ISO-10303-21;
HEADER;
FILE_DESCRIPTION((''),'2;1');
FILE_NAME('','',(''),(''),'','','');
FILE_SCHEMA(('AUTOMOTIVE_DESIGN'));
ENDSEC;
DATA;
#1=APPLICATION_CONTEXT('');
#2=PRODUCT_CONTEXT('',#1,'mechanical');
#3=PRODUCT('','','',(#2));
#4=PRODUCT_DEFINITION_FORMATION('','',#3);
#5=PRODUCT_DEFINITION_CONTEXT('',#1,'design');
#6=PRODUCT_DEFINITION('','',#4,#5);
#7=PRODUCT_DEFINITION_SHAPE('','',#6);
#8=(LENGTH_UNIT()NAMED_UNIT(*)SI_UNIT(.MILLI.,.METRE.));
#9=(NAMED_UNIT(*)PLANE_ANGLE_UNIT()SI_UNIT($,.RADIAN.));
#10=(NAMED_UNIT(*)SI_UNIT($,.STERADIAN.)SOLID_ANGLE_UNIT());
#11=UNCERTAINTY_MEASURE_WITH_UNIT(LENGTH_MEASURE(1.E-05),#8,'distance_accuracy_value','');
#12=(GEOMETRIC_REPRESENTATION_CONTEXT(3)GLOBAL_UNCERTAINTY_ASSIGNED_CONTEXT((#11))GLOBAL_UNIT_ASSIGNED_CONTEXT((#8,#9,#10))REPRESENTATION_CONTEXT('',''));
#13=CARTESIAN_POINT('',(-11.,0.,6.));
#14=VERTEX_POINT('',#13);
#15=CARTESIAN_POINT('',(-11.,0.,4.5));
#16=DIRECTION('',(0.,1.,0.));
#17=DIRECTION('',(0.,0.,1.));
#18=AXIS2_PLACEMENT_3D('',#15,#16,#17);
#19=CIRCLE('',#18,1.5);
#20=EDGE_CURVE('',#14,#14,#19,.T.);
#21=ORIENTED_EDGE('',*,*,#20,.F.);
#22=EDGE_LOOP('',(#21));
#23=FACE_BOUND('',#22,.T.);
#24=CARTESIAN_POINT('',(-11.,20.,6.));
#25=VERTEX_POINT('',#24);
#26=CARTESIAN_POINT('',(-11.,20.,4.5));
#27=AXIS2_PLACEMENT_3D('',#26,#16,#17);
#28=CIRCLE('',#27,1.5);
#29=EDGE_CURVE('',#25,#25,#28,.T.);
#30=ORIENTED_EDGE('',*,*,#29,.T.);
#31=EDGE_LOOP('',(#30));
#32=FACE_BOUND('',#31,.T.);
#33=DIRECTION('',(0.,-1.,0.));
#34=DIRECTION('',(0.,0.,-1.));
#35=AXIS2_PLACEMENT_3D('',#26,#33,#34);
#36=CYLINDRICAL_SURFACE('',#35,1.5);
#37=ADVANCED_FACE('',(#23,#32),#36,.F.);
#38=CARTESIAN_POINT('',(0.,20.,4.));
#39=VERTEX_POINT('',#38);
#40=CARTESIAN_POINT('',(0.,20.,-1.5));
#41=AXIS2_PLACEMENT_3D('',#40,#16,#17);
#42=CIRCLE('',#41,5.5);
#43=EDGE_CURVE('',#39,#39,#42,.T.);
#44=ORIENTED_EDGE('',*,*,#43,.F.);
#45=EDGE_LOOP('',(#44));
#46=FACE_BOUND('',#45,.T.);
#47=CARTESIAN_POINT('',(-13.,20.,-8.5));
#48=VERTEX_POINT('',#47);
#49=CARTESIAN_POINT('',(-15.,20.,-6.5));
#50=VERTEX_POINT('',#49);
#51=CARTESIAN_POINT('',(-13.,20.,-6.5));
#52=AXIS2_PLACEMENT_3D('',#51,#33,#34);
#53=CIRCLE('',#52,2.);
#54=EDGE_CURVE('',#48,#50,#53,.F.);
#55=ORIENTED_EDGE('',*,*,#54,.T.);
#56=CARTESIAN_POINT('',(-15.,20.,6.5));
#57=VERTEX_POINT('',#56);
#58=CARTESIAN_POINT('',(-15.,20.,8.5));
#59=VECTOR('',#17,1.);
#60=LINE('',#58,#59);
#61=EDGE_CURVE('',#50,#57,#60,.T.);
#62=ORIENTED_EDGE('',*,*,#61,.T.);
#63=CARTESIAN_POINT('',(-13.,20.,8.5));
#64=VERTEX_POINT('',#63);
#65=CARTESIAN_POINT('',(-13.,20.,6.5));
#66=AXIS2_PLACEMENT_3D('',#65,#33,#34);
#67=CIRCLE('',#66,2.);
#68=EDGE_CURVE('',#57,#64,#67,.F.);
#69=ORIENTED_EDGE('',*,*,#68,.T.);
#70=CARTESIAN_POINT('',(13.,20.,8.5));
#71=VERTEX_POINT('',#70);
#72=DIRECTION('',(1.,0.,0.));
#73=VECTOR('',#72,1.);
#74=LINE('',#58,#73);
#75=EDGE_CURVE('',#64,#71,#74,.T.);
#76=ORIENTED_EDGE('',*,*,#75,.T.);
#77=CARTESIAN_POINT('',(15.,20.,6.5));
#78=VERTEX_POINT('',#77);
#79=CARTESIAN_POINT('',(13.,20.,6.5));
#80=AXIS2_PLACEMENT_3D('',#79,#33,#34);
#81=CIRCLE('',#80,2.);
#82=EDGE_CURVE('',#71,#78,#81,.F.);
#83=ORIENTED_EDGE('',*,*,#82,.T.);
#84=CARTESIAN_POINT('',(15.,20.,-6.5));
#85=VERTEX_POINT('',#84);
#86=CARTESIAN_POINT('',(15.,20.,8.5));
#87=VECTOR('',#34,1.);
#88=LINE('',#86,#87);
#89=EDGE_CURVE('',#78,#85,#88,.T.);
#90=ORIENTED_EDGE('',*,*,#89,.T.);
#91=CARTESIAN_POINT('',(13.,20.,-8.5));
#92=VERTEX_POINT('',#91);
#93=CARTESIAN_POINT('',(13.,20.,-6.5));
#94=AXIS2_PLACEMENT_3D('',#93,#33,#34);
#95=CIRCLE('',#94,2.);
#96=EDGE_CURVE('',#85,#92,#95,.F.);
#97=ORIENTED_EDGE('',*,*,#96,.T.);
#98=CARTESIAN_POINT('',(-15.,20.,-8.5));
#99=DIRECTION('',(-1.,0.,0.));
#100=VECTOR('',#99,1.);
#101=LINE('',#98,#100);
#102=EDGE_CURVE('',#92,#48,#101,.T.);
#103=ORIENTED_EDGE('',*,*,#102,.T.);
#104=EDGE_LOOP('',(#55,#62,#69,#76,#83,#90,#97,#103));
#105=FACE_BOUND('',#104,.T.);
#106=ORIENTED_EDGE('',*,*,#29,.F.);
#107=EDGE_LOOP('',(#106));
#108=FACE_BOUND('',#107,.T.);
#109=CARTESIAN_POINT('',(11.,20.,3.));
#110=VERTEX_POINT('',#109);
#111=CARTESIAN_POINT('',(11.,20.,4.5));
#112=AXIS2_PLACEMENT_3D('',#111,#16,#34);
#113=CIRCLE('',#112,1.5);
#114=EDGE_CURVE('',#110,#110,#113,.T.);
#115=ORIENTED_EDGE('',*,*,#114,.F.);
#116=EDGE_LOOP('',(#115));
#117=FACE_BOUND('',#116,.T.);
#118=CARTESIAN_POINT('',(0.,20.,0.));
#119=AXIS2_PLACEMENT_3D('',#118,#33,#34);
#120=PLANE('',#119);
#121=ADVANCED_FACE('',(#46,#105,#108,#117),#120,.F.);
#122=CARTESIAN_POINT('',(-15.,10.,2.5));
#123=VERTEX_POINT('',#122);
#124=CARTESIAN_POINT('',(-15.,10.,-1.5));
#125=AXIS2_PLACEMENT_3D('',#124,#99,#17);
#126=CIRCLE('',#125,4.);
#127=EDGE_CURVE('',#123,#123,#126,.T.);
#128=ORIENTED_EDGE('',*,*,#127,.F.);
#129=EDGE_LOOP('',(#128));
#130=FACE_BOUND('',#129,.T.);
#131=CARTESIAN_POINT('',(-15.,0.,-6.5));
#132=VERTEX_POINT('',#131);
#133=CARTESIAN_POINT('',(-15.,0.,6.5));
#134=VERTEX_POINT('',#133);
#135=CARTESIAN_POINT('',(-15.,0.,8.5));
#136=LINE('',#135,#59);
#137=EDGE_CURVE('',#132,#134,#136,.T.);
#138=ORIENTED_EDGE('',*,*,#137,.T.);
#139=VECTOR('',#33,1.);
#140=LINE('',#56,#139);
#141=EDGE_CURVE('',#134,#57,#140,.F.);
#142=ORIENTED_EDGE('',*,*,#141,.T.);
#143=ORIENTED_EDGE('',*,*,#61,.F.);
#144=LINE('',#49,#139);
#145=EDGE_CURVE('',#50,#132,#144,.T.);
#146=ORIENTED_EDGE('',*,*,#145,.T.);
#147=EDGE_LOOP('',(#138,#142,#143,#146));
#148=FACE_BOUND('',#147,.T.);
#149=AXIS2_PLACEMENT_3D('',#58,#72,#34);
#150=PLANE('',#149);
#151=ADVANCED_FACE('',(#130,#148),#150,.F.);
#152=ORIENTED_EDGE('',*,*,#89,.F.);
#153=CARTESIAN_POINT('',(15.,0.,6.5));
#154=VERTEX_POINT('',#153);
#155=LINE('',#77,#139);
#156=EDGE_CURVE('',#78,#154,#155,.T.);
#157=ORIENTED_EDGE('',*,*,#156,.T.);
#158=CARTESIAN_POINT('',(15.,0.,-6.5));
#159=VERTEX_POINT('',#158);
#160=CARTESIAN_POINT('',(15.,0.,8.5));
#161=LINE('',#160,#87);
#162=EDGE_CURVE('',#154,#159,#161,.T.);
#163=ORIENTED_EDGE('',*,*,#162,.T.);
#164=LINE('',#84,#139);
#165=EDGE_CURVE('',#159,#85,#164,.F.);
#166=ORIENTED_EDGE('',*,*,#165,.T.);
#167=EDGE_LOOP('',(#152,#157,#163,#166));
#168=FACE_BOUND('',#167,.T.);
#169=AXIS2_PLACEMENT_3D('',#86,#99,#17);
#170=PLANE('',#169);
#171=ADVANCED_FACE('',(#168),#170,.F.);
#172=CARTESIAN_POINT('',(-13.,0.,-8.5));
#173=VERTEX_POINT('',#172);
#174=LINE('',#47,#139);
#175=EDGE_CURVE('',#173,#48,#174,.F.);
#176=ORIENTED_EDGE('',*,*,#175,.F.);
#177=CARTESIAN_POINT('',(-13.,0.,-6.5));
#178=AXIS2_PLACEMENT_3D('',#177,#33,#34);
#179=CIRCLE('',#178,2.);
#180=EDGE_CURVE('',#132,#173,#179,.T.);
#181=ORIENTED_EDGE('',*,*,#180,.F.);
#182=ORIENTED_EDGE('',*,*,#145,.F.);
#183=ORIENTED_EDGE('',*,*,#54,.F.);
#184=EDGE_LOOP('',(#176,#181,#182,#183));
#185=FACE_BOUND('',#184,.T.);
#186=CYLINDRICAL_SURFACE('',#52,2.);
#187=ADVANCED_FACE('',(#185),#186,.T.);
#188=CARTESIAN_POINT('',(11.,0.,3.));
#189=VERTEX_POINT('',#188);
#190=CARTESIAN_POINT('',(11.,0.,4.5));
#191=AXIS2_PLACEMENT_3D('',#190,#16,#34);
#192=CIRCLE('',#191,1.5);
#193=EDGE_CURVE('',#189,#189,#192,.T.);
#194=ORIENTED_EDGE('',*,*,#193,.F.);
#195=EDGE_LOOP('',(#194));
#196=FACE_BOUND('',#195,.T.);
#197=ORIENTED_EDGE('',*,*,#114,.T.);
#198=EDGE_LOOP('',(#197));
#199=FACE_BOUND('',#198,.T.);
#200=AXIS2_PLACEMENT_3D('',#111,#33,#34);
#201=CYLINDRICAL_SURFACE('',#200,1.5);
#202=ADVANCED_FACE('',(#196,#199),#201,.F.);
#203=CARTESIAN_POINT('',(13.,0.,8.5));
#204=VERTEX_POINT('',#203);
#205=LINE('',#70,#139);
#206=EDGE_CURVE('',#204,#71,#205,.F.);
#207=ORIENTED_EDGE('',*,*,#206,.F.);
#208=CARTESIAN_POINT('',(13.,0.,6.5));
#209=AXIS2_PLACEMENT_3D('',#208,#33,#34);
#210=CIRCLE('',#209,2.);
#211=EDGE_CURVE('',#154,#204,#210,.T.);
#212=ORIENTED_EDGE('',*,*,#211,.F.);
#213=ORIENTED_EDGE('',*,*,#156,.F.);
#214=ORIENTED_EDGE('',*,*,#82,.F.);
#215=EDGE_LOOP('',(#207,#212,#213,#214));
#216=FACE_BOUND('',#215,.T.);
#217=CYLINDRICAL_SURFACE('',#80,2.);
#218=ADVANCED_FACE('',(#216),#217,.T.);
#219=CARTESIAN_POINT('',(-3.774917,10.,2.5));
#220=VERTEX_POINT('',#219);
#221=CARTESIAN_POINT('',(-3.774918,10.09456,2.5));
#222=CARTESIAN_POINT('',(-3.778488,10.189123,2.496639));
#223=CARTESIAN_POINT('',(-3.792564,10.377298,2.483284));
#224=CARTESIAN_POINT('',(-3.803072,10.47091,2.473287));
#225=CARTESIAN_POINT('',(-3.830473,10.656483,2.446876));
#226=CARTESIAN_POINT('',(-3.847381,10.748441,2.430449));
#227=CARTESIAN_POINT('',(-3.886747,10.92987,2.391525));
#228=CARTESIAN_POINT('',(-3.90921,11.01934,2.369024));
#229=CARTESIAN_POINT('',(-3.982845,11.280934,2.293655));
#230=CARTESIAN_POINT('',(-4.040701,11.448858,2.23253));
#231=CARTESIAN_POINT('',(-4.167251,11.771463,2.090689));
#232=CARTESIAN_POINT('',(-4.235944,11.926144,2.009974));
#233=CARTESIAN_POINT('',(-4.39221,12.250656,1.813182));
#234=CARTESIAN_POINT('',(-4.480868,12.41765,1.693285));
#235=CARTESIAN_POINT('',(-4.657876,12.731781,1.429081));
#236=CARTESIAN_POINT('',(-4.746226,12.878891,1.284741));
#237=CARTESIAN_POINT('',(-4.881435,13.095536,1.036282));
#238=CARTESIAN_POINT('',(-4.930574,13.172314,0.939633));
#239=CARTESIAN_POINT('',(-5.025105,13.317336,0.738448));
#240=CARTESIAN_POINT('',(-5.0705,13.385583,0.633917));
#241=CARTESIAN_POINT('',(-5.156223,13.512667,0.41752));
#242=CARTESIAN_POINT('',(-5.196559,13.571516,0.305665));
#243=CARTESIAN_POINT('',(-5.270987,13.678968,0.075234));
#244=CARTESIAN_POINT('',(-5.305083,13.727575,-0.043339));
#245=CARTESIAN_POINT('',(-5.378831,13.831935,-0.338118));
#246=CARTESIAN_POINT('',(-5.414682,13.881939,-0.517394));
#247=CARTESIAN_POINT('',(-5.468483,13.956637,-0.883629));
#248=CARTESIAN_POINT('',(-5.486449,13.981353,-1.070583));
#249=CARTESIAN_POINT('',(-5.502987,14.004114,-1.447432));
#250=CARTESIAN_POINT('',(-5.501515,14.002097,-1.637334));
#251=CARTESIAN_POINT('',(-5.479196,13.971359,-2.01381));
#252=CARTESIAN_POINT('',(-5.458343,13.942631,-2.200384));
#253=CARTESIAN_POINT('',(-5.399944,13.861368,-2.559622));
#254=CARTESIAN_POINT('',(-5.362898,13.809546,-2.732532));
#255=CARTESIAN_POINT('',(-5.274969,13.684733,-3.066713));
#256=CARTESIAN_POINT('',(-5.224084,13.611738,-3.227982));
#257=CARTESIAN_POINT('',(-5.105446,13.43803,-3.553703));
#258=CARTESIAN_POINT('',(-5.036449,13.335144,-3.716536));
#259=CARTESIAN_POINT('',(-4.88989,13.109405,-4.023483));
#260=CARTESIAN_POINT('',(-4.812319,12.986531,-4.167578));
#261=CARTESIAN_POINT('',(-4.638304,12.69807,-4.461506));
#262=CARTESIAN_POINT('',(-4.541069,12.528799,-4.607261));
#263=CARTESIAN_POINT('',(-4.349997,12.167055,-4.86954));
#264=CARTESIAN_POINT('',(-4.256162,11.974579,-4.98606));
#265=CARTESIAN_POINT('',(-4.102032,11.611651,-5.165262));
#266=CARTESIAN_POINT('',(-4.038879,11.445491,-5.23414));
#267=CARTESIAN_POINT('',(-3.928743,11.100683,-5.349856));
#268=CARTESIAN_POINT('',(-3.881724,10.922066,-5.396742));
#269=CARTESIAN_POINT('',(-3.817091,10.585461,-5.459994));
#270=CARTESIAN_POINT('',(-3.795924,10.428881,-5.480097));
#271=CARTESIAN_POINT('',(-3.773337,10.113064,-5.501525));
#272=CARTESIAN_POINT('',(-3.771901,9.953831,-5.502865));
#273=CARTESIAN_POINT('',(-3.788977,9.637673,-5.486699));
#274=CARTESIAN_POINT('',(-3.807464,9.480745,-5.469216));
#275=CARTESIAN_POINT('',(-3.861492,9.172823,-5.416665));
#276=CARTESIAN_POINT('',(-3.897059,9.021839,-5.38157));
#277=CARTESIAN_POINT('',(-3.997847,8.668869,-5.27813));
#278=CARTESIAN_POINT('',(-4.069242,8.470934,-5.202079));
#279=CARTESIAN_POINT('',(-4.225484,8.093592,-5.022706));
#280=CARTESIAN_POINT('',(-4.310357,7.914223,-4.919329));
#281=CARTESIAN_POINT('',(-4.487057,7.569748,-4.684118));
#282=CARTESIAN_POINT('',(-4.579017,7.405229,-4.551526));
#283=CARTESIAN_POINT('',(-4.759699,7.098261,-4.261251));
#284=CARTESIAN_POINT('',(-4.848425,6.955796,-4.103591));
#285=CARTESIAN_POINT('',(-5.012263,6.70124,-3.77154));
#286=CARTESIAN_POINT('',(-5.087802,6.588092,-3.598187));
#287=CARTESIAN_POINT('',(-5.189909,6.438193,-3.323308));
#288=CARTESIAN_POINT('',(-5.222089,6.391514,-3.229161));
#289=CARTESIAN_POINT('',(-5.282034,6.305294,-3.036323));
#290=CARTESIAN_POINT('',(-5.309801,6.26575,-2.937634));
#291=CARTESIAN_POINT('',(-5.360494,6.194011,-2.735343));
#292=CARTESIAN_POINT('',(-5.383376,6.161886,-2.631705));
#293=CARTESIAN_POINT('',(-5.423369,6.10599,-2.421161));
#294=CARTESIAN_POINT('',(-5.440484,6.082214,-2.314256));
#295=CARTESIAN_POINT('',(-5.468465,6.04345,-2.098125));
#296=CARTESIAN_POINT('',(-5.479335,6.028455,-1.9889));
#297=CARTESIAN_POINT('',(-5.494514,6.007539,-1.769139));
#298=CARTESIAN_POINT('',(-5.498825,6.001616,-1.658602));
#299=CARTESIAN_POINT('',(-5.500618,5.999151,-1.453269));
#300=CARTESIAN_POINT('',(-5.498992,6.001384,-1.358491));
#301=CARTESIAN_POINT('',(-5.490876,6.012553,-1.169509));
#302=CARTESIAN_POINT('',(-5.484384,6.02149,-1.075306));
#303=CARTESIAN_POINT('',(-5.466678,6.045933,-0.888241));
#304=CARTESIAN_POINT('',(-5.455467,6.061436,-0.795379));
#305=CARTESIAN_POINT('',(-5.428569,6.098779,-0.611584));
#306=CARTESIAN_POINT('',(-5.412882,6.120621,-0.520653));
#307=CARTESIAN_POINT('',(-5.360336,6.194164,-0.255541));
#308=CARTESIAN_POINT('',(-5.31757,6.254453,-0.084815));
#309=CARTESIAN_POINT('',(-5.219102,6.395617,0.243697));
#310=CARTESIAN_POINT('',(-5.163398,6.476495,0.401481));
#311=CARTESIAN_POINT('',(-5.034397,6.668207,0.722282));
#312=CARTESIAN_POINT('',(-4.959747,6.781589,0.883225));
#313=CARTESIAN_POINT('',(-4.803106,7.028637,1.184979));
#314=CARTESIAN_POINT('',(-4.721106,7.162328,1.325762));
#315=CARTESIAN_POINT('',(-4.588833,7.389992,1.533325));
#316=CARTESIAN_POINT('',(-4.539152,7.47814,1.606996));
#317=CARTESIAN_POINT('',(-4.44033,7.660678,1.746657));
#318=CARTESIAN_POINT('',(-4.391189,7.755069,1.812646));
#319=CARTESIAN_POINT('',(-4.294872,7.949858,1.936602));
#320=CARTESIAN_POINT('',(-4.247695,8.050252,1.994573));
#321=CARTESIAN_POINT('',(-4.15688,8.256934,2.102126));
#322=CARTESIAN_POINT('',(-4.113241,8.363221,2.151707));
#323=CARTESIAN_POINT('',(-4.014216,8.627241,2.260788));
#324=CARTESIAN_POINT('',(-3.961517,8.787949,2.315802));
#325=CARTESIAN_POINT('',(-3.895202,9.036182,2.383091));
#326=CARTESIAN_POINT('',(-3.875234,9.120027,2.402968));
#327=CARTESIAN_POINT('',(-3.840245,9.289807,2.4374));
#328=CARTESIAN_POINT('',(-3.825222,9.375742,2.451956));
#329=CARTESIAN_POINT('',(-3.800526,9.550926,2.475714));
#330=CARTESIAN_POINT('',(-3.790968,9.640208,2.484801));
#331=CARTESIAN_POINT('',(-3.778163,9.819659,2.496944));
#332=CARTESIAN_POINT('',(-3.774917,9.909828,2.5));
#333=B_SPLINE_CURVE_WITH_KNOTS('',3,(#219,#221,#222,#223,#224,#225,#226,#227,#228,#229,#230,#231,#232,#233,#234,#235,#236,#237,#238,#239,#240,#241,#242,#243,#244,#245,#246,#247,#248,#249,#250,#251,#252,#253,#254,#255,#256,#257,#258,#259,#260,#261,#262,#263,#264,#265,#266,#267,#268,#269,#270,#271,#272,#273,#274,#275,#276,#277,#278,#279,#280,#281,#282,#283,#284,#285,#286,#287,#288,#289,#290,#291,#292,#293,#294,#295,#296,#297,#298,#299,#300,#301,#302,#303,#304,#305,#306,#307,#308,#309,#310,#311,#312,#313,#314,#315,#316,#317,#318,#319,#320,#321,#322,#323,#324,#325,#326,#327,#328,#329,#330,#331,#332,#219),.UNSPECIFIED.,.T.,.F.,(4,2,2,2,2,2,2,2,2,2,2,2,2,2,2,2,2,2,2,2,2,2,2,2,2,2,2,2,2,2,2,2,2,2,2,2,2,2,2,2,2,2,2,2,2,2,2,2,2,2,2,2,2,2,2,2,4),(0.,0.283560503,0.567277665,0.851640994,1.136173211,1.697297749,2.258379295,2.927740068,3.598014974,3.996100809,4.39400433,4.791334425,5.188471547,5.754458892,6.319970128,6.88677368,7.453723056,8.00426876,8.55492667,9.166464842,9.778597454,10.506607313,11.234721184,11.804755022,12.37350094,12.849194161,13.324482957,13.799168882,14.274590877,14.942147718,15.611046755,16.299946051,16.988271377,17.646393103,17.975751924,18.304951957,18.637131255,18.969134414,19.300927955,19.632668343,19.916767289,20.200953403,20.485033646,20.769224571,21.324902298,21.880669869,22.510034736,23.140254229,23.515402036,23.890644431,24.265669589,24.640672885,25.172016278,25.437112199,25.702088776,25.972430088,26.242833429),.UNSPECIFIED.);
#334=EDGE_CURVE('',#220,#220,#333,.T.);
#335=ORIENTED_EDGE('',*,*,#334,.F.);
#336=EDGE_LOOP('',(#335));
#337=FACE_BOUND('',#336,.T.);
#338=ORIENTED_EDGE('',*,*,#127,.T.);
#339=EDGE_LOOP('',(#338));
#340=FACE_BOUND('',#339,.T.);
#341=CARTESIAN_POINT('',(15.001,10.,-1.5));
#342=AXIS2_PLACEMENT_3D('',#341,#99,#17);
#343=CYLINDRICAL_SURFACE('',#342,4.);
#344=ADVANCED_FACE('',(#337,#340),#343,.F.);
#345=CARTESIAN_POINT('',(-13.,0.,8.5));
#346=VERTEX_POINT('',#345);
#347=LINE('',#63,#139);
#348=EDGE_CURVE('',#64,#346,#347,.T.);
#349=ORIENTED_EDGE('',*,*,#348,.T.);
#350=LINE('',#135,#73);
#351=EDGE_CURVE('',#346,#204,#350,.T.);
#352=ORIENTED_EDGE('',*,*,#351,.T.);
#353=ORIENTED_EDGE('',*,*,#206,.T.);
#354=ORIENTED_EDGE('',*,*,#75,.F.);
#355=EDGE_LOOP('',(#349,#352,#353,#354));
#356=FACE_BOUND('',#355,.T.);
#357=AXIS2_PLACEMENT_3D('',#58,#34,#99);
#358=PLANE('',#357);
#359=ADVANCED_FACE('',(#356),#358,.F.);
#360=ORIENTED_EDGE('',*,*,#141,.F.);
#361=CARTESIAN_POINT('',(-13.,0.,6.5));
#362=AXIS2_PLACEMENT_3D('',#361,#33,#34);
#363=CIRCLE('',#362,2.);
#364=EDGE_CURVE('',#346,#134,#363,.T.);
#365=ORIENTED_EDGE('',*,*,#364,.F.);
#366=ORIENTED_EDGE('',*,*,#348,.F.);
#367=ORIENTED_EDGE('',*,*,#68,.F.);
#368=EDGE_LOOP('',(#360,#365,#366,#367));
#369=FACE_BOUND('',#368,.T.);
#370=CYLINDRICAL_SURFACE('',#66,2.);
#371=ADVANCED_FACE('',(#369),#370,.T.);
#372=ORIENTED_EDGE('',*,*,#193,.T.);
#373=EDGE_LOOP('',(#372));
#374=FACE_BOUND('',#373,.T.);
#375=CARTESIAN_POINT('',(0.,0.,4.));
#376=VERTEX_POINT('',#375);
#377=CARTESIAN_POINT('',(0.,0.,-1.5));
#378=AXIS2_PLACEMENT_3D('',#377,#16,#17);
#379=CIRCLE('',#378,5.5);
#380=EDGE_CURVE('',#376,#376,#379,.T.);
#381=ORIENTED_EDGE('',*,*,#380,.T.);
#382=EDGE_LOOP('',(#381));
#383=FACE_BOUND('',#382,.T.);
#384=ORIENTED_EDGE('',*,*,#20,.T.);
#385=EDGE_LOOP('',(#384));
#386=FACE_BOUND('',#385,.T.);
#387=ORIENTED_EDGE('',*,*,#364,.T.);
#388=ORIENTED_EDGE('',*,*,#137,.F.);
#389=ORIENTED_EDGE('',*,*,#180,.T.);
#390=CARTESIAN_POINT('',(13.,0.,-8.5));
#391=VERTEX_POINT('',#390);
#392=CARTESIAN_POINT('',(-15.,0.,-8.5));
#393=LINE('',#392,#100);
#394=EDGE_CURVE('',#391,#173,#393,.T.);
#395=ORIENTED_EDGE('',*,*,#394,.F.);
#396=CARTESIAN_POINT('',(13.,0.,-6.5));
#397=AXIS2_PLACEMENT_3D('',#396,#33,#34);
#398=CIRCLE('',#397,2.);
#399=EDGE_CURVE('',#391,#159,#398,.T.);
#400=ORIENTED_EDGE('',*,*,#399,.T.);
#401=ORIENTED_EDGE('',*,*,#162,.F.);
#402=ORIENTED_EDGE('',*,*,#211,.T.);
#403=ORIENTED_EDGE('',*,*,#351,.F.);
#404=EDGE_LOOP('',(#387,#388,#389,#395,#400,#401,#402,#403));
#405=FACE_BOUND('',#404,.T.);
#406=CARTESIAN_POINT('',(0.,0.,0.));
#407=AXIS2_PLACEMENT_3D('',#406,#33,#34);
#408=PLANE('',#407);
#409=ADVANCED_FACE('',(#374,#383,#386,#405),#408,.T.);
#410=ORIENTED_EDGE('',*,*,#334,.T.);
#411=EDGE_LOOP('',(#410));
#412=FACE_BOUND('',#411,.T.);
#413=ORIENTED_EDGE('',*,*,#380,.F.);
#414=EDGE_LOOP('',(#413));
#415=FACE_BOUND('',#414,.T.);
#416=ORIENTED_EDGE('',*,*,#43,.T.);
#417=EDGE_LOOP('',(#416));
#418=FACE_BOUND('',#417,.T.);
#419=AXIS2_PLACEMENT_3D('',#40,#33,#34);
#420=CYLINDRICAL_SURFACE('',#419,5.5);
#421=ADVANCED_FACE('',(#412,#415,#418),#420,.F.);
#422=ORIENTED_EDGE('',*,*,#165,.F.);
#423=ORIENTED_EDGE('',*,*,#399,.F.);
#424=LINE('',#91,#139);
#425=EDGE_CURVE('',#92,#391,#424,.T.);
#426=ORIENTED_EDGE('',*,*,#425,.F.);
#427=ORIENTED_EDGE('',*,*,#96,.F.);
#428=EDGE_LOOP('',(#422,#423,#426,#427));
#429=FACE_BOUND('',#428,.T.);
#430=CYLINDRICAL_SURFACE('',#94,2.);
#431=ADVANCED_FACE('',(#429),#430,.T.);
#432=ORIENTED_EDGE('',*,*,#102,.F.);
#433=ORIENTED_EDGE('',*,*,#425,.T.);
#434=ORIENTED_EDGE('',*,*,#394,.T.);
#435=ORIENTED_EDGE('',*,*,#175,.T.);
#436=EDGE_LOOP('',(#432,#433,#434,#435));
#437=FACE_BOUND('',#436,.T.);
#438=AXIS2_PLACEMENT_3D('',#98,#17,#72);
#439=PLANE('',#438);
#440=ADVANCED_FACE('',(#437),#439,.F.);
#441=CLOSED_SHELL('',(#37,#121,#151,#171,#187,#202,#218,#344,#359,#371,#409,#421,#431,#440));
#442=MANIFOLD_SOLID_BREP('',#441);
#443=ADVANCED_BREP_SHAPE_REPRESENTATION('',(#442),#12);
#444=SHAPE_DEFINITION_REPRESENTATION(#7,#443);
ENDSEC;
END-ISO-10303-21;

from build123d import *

# Parameters (mm, degrees)
SKETCH_1_W               = 30
SKETCH_1_H               = 17
SKETCH_1_R               = 1.5
SKETCH_1_R_2             = 5.5
EXTRUDE_1_DEPTH          = 20
CUT_EXTRUDE_1_REACH      = 39.044
CUT_EXTRUDE_1_END_RADIUS = 5.5
SKETCH_2_R               = 4
FILLET_1_R               = 2


with BuildPart() as part:
    # 草图1 → 凸台-拉伸1 (new body)
    with BuildSketch(Plane(origin=(0, 0, 0), x_dir=(1, 0, 0), z_dir=(0, 1, 0))):
        Rectangle(SKETCH_1_W, SKETCH_1_H)
        with Locations(Location((-11, -4.5, 0), (0, 0, 270))):
            Circle(SKETCH_1_R, mode=Mode.SUBTRACT)
        with Locations(Location((11, -4.5, 0), (0, 0, 90))):
            Circle(SKETCH_1_R, mode=Mode.SUBTRACT)
        with Locations(Location((0, 1.5, 0), (0, 0, 270))):
            Circle(SKETCH_1_R_2, mode=Mode.SUBTRACT)
    extrude(amount=EXTRUDE_1_DEPTH)

    # 切除-拉伸1: up to this cylinder (the profile starts outside it)
    cut_extrude_1_end = Plane(origin=(0, 10, -1.5), z_dir=(0, -1, 0)) * Cylinder(CUT_EXTRUDE_1_END_RADIUS, 90.088, mode=Mode.PRIVATE)
    # 草图2 → 切除-拉伸1 (cut, up to the surface)
    with BuildSketch(Plane.ZY.offset(15), mode=Mode.PRIVATE) as cut_extrude_1_sk1:
        with Locations((-1.5, 10)):
            Circle(SKETCH_2_R)
    cut_extrude_1_tool1 = extrude(cut_extrude_1_sk1.sketch, amount=-CUT_EXTRUDE_1_REACH, mode=Mode.PRIVATE) - cut_extrude_1_end
    add(cut_extrude_1_tool1.solids().sort_by_distance((-15, 10, -1.5))[0], mode=Mode.SUBTRACT)

    # 圆角1
    fillet_1_edges = [part.edges().sort_by_distance(p)[0] for p in [
        (15, 10, 8.5),
        (-15, 10, 8.5),
        (-15, 10, -8.5),
        (15, 10, -8.5),
    ]]
    fillet(fillet_1_edges, radius=FILLET_1_R)


solid = part.part
